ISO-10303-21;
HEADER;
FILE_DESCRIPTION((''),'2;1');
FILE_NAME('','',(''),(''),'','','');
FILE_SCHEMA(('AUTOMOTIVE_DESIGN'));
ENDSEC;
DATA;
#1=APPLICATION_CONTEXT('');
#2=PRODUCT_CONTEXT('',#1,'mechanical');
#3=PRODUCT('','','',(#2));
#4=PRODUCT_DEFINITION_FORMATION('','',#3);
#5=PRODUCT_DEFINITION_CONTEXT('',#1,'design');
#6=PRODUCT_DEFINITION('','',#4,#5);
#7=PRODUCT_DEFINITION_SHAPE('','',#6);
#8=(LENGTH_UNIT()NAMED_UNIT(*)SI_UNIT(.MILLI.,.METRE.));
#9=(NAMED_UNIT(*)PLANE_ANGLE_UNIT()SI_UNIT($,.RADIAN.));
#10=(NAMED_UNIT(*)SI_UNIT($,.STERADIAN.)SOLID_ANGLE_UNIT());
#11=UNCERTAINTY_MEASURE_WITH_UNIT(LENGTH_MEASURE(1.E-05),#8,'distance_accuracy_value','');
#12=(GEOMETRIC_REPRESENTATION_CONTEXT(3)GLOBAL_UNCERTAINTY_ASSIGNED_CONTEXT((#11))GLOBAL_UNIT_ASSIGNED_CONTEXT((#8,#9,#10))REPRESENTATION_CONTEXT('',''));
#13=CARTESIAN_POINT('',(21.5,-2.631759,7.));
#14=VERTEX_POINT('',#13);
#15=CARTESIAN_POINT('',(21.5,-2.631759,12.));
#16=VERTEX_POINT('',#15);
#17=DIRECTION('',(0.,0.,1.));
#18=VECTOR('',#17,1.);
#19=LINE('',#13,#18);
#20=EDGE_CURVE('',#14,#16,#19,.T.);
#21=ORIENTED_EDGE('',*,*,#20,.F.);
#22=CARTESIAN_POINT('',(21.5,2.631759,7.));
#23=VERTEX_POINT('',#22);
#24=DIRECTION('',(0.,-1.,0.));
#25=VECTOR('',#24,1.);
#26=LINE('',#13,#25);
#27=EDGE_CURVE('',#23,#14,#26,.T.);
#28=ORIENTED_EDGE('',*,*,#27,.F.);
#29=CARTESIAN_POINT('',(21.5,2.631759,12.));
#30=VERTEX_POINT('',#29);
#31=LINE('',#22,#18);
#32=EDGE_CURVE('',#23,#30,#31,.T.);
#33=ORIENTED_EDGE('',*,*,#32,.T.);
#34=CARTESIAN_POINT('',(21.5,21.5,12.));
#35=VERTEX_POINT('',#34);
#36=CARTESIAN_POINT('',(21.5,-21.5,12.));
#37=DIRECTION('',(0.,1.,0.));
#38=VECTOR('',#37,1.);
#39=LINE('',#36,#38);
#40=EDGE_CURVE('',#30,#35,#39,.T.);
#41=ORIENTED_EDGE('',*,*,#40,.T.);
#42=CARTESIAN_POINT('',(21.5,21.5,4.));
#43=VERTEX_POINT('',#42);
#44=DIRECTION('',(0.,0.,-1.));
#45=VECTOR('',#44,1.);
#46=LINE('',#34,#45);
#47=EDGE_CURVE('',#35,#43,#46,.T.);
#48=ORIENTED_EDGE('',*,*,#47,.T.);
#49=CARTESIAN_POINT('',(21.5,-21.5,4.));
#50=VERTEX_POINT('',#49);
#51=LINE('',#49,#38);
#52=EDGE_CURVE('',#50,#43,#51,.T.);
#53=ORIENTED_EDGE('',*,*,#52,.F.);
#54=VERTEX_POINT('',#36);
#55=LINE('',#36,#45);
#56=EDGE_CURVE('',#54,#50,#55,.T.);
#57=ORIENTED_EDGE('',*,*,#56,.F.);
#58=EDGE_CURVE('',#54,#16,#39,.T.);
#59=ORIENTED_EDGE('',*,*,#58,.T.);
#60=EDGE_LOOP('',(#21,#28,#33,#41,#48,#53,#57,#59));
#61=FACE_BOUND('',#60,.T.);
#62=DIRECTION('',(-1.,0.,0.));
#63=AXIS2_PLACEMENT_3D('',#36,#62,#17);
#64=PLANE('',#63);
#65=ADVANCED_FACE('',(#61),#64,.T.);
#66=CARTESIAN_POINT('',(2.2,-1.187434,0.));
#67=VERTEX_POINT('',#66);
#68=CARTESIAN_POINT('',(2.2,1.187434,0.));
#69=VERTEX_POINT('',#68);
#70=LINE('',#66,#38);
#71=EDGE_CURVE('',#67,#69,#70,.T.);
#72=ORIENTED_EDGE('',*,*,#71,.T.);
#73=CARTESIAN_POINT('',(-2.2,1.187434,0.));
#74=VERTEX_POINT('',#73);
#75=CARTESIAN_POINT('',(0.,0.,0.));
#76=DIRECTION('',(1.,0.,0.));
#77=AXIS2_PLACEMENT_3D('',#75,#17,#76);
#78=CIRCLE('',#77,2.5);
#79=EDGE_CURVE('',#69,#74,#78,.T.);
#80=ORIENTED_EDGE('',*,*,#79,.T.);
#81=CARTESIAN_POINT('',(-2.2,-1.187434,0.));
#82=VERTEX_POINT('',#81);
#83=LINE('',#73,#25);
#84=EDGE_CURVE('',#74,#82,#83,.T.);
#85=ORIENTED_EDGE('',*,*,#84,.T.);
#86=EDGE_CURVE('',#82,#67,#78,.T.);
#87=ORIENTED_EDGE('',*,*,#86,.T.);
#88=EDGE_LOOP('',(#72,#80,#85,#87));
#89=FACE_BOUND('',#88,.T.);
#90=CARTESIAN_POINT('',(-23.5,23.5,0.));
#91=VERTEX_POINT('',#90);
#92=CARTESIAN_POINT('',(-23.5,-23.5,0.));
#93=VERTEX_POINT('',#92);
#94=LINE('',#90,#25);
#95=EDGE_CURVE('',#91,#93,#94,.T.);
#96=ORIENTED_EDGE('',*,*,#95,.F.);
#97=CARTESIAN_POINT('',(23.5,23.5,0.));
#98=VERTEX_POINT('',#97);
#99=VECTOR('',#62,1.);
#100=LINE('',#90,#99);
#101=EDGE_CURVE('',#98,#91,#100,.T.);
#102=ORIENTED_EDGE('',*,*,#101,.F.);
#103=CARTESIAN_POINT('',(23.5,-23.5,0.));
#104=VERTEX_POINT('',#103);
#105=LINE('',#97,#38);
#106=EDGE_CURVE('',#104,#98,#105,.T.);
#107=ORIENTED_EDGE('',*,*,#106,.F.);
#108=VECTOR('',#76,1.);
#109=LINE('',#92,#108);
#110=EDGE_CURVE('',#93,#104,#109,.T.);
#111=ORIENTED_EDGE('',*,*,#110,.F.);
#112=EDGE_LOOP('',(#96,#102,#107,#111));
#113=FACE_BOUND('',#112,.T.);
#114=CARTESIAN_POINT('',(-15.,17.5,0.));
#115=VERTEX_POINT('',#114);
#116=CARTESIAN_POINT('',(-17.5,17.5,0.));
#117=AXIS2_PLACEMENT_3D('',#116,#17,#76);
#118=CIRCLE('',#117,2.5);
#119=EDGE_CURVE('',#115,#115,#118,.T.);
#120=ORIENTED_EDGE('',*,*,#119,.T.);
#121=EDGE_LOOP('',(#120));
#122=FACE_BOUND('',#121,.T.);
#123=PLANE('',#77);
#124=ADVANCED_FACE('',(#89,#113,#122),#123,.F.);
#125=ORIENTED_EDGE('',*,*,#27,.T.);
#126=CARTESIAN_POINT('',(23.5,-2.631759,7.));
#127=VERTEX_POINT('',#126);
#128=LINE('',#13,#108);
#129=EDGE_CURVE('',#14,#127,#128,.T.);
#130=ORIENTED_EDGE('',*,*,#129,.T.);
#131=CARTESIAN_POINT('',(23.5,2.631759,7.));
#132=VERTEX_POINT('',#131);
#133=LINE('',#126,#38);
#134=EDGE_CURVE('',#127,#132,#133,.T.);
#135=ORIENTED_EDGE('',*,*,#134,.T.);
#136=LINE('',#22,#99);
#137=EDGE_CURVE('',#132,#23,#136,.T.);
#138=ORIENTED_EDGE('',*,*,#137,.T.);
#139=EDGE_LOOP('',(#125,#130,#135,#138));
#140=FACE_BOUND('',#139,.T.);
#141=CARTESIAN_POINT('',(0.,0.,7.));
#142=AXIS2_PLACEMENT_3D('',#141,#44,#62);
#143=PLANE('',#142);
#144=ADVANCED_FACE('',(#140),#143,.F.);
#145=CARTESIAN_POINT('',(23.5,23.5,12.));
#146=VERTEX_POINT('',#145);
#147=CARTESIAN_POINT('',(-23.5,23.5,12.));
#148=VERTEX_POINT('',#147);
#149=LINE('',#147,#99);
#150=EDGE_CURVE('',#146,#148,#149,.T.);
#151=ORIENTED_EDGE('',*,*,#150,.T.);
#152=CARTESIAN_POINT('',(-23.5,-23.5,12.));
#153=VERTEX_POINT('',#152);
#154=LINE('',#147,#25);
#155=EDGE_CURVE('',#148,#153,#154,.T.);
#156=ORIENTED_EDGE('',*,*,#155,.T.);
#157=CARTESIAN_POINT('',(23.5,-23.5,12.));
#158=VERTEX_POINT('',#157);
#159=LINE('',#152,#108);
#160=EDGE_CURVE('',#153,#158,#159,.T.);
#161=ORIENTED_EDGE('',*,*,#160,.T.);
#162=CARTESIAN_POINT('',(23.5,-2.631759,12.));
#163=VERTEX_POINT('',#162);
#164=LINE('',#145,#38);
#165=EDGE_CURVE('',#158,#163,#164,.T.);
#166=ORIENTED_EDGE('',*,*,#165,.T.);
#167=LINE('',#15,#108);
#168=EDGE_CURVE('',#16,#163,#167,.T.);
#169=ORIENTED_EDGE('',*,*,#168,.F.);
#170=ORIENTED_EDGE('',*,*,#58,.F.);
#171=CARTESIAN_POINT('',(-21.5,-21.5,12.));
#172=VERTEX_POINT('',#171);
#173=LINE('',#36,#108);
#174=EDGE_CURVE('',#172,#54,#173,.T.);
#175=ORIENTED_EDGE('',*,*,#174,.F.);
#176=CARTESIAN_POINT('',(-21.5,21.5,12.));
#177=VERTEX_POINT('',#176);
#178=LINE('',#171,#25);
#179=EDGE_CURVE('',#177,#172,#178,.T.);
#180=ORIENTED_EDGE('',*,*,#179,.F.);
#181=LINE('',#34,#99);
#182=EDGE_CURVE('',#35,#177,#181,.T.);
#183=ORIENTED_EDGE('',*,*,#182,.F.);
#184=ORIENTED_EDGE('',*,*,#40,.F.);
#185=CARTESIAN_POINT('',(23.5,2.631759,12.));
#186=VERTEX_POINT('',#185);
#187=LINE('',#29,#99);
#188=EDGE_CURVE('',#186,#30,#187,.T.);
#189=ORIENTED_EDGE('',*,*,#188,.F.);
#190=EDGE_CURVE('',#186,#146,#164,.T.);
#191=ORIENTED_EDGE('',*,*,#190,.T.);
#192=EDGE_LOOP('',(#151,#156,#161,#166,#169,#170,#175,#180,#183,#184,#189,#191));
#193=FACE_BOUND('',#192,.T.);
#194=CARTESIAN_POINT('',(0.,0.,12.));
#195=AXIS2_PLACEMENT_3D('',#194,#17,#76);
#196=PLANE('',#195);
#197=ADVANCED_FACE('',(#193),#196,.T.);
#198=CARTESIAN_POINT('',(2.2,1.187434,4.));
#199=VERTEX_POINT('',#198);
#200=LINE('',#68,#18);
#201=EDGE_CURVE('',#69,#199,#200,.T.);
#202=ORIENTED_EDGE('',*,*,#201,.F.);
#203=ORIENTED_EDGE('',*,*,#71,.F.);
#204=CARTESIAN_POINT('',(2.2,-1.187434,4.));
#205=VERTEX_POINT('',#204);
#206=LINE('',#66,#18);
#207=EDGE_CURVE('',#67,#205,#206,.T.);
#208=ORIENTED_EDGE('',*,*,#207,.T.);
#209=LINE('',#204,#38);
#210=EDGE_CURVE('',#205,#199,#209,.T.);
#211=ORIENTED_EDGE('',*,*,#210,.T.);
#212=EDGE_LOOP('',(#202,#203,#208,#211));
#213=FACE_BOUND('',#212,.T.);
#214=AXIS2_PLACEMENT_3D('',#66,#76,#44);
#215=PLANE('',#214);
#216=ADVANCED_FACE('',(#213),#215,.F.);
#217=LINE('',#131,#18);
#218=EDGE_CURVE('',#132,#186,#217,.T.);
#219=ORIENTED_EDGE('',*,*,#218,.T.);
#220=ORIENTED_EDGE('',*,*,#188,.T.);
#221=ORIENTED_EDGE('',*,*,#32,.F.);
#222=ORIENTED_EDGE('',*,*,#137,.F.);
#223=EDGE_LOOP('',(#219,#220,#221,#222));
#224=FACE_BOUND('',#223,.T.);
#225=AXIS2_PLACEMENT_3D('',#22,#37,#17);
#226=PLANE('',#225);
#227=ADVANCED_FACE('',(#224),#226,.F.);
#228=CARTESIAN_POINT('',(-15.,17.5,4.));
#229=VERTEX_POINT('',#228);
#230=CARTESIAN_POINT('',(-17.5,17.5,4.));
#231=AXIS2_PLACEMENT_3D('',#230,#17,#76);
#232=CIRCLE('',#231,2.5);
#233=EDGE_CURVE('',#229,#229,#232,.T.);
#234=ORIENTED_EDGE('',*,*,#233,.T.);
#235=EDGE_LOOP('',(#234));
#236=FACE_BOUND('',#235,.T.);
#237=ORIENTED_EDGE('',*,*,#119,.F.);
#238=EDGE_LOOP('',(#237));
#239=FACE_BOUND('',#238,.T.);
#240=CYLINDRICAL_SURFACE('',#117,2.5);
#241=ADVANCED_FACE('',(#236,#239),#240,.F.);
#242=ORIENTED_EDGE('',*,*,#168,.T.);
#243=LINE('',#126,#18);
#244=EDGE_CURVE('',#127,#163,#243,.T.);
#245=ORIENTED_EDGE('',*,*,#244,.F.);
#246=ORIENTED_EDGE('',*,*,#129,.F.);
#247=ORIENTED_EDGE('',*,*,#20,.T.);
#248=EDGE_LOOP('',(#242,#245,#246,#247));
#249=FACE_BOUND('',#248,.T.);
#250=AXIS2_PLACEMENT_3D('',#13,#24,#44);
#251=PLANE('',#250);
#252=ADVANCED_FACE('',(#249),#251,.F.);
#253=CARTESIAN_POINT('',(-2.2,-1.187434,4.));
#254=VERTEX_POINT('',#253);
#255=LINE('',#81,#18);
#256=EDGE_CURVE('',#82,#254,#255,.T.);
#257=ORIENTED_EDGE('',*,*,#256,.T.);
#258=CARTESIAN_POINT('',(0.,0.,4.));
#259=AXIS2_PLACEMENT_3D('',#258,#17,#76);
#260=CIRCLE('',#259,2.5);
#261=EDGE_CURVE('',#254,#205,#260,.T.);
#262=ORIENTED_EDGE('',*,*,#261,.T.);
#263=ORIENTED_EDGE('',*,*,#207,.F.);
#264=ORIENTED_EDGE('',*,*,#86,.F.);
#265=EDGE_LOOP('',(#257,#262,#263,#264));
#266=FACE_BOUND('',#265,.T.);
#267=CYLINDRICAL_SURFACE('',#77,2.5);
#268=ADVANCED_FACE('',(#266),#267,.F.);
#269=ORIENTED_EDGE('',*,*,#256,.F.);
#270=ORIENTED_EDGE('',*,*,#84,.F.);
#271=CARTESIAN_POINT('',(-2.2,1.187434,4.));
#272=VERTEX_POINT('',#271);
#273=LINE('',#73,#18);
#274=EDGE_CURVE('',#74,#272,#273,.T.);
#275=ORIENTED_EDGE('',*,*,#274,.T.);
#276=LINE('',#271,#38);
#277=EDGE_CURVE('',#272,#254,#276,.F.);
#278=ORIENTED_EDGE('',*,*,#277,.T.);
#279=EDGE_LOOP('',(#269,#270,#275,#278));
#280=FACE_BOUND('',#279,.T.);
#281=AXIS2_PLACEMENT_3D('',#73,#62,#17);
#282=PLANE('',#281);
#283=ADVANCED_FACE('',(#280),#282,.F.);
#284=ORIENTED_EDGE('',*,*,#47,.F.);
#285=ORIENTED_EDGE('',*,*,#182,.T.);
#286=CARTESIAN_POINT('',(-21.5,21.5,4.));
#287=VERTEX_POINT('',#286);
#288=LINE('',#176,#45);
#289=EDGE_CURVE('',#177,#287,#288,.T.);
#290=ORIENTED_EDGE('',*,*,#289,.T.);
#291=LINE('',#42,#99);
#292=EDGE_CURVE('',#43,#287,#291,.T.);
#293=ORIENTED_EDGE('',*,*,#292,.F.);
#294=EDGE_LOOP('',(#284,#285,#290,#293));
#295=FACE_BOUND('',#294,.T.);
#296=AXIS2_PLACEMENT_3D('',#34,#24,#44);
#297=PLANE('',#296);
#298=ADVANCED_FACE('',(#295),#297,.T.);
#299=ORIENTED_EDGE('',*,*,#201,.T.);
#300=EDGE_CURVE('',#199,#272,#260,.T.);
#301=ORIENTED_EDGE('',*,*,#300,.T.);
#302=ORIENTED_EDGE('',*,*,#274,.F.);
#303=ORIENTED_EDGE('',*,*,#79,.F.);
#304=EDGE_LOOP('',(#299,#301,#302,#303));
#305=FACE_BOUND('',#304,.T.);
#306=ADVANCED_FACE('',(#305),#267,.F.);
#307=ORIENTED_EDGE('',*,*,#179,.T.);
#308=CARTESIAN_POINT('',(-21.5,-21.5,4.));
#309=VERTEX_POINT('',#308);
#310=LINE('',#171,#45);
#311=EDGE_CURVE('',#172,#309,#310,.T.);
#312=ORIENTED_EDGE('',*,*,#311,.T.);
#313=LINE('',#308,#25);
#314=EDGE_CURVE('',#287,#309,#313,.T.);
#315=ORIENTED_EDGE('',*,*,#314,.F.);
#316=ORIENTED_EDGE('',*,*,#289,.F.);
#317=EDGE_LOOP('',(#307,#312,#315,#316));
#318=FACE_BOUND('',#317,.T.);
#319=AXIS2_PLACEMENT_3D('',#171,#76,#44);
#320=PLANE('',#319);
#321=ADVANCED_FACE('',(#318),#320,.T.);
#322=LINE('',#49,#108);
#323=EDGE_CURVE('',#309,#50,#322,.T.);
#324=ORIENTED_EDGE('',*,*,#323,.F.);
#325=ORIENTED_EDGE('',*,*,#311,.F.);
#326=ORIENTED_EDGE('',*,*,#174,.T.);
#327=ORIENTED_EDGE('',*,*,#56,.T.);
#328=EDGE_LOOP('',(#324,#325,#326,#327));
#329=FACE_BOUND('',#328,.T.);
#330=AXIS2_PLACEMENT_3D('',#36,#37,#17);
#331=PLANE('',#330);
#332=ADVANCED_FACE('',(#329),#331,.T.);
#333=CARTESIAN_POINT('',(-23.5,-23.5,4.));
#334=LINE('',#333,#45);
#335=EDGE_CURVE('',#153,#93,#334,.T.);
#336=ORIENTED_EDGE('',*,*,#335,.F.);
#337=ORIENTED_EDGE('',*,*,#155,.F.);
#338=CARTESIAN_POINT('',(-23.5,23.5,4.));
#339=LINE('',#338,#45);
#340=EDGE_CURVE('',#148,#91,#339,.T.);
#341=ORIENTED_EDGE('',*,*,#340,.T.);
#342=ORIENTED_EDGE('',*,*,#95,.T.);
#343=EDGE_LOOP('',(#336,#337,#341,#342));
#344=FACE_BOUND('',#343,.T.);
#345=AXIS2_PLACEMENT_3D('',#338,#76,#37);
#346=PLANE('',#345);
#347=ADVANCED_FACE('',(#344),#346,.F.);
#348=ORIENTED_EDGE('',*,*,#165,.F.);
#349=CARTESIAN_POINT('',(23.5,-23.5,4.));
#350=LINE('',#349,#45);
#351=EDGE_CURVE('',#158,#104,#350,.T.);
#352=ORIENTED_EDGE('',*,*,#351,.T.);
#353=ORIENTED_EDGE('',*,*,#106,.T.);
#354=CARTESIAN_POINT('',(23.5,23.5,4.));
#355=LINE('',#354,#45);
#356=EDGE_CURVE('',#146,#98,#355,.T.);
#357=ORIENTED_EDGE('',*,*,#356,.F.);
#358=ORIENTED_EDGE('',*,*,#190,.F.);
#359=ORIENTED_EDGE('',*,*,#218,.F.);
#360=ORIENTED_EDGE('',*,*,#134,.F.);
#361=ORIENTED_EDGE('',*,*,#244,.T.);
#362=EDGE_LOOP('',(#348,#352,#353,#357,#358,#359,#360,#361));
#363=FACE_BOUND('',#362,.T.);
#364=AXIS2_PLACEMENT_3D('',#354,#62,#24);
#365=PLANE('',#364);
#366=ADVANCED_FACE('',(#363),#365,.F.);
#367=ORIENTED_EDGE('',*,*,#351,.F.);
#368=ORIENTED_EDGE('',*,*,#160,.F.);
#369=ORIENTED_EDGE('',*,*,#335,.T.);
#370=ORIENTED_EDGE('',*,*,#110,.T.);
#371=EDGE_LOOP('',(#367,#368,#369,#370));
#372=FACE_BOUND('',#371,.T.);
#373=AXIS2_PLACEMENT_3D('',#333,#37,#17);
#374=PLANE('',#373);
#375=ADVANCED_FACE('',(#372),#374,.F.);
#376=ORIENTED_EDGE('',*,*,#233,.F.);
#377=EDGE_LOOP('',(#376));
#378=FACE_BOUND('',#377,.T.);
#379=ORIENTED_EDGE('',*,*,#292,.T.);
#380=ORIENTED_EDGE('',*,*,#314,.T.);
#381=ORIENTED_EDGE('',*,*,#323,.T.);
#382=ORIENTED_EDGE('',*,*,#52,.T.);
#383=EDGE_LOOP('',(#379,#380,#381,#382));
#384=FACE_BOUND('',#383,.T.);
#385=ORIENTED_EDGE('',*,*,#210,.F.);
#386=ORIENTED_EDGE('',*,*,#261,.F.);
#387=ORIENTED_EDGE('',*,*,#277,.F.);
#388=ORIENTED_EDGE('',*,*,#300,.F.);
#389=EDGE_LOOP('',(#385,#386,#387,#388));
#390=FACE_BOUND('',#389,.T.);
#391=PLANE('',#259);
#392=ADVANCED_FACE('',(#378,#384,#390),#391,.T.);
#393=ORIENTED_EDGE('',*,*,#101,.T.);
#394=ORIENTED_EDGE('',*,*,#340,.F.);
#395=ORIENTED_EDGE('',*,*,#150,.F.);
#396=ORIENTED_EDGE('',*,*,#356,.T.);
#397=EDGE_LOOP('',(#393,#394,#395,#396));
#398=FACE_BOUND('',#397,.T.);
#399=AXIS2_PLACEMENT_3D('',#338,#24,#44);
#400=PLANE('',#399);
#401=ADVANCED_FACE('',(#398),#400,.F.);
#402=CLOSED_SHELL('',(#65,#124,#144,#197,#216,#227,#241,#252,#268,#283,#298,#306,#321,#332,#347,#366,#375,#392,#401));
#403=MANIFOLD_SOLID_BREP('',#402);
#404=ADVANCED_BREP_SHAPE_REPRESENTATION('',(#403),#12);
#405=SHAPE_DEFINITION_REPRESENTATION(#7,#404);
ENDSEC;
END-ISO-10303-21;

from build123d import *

# Parameters (mm, degrees)
SKETCH1_W               = 47
SKETCH1_H               = 47
BOSS_EXTRUDE1_DEPTH     = 4
CUT_EXTRUDE1_DEPTH      = 34.473870407
CUT_EXTRUDE1_DEPTH_BACK = 34.473870407
CUT_EXTRUDE2_DEPTH      = 34.473870407
CUT_EXTRUDE2_DEPTH_BACK = 34.473870407
SKETCH3_R               = 2.5
SKETCH4_W               = 47
SKETCH4_H               = 47
SKETCH4_W_2             = 43
SKETCH4_H_2             = 43
BOSS_EXTRUDE2_DEPTH     = 8
SKETCH5_W               = 2
SKETCH5_H               = 5.263518928
CUT_EXTRUDE3_DEPTH      = 5


with BuildPart() as part:
    # Sketch1 → Boss-Extrude1 (new body)
    with BuildSketch(Plane.XY):
        Rectangle(SKETCH1_W, SKETCH1_H)
    extrude(amount=BOSS_EXTRUDE1_DEPTH)

    # Sketch2 → Cut-Extrude1 (cut, two sides: drawn at the far end of the back side and taken through both)
    with BuildSketch(Plane.XY.offset(4).offset(-CUT_EXTRUDE1_DEPTH_BACK)):
        with BuildLine():
            Line((-2.2, 1.187434209), (-2.2, -1.187434209))
            ThreePointArc((-2.2, -1.187434209), (0, -2.5), (2.2, -1.187434209))
            Line((2.2, -1.187434209), (2.2, 1.187434209))
            ThreePointArc((2.2, 1.187434209), (0, 2.5), (-2.2, 1.187434209))
        make_face()
    extrude(amount=CUT_EXTRUDE1_DEPTH + CUT_EXTRUDE1_DEPTH_BACK, mode=Mode.SUBTRACT)

    # Sketch3 → Cut-Extrude2 (cut, two sides: drawn at the far end of the back side and taken through both)
    with BuildSketch(Plane.XY.offset(4).offset(-CUT_EXTRUDE2_DEPTH_BACK)):
        with Locations((-17.5, 17.5)):
            Circle(SKETCH3_R)
    extrude(amount=CUT_EXTRUDE2_DEPTH + CUT_EXTRUDE2_DEPTH_BACK, mode=Mode.SUBTRACT)

    # Sketch4 → Boss-Extrude2 (add)
    with BuildSketch(Plane.XY.offset(4)):
        Rectangle(SKETCH4_W, SKETCH4_H)
        Rectangle(SKETCH4_W_2, SKETCH4_H_2, mode=Mode.SUBTRACT)
    extrude(amount=BOSS_EXTRUDE2_DEPTH)

    # Sketch5 → Cut-Extrude3 (cut)
    with BuildSketch(Plane.XY.offset(12)):
        with Locations((22.5, 0)):
            Rectangle(SKETCH5_W, SKETCH5_H)
    extrude(amount=-CUT_EXTRUDE3_DEPTH, mode=Mode.SUBTRACT)


solid = part.part
